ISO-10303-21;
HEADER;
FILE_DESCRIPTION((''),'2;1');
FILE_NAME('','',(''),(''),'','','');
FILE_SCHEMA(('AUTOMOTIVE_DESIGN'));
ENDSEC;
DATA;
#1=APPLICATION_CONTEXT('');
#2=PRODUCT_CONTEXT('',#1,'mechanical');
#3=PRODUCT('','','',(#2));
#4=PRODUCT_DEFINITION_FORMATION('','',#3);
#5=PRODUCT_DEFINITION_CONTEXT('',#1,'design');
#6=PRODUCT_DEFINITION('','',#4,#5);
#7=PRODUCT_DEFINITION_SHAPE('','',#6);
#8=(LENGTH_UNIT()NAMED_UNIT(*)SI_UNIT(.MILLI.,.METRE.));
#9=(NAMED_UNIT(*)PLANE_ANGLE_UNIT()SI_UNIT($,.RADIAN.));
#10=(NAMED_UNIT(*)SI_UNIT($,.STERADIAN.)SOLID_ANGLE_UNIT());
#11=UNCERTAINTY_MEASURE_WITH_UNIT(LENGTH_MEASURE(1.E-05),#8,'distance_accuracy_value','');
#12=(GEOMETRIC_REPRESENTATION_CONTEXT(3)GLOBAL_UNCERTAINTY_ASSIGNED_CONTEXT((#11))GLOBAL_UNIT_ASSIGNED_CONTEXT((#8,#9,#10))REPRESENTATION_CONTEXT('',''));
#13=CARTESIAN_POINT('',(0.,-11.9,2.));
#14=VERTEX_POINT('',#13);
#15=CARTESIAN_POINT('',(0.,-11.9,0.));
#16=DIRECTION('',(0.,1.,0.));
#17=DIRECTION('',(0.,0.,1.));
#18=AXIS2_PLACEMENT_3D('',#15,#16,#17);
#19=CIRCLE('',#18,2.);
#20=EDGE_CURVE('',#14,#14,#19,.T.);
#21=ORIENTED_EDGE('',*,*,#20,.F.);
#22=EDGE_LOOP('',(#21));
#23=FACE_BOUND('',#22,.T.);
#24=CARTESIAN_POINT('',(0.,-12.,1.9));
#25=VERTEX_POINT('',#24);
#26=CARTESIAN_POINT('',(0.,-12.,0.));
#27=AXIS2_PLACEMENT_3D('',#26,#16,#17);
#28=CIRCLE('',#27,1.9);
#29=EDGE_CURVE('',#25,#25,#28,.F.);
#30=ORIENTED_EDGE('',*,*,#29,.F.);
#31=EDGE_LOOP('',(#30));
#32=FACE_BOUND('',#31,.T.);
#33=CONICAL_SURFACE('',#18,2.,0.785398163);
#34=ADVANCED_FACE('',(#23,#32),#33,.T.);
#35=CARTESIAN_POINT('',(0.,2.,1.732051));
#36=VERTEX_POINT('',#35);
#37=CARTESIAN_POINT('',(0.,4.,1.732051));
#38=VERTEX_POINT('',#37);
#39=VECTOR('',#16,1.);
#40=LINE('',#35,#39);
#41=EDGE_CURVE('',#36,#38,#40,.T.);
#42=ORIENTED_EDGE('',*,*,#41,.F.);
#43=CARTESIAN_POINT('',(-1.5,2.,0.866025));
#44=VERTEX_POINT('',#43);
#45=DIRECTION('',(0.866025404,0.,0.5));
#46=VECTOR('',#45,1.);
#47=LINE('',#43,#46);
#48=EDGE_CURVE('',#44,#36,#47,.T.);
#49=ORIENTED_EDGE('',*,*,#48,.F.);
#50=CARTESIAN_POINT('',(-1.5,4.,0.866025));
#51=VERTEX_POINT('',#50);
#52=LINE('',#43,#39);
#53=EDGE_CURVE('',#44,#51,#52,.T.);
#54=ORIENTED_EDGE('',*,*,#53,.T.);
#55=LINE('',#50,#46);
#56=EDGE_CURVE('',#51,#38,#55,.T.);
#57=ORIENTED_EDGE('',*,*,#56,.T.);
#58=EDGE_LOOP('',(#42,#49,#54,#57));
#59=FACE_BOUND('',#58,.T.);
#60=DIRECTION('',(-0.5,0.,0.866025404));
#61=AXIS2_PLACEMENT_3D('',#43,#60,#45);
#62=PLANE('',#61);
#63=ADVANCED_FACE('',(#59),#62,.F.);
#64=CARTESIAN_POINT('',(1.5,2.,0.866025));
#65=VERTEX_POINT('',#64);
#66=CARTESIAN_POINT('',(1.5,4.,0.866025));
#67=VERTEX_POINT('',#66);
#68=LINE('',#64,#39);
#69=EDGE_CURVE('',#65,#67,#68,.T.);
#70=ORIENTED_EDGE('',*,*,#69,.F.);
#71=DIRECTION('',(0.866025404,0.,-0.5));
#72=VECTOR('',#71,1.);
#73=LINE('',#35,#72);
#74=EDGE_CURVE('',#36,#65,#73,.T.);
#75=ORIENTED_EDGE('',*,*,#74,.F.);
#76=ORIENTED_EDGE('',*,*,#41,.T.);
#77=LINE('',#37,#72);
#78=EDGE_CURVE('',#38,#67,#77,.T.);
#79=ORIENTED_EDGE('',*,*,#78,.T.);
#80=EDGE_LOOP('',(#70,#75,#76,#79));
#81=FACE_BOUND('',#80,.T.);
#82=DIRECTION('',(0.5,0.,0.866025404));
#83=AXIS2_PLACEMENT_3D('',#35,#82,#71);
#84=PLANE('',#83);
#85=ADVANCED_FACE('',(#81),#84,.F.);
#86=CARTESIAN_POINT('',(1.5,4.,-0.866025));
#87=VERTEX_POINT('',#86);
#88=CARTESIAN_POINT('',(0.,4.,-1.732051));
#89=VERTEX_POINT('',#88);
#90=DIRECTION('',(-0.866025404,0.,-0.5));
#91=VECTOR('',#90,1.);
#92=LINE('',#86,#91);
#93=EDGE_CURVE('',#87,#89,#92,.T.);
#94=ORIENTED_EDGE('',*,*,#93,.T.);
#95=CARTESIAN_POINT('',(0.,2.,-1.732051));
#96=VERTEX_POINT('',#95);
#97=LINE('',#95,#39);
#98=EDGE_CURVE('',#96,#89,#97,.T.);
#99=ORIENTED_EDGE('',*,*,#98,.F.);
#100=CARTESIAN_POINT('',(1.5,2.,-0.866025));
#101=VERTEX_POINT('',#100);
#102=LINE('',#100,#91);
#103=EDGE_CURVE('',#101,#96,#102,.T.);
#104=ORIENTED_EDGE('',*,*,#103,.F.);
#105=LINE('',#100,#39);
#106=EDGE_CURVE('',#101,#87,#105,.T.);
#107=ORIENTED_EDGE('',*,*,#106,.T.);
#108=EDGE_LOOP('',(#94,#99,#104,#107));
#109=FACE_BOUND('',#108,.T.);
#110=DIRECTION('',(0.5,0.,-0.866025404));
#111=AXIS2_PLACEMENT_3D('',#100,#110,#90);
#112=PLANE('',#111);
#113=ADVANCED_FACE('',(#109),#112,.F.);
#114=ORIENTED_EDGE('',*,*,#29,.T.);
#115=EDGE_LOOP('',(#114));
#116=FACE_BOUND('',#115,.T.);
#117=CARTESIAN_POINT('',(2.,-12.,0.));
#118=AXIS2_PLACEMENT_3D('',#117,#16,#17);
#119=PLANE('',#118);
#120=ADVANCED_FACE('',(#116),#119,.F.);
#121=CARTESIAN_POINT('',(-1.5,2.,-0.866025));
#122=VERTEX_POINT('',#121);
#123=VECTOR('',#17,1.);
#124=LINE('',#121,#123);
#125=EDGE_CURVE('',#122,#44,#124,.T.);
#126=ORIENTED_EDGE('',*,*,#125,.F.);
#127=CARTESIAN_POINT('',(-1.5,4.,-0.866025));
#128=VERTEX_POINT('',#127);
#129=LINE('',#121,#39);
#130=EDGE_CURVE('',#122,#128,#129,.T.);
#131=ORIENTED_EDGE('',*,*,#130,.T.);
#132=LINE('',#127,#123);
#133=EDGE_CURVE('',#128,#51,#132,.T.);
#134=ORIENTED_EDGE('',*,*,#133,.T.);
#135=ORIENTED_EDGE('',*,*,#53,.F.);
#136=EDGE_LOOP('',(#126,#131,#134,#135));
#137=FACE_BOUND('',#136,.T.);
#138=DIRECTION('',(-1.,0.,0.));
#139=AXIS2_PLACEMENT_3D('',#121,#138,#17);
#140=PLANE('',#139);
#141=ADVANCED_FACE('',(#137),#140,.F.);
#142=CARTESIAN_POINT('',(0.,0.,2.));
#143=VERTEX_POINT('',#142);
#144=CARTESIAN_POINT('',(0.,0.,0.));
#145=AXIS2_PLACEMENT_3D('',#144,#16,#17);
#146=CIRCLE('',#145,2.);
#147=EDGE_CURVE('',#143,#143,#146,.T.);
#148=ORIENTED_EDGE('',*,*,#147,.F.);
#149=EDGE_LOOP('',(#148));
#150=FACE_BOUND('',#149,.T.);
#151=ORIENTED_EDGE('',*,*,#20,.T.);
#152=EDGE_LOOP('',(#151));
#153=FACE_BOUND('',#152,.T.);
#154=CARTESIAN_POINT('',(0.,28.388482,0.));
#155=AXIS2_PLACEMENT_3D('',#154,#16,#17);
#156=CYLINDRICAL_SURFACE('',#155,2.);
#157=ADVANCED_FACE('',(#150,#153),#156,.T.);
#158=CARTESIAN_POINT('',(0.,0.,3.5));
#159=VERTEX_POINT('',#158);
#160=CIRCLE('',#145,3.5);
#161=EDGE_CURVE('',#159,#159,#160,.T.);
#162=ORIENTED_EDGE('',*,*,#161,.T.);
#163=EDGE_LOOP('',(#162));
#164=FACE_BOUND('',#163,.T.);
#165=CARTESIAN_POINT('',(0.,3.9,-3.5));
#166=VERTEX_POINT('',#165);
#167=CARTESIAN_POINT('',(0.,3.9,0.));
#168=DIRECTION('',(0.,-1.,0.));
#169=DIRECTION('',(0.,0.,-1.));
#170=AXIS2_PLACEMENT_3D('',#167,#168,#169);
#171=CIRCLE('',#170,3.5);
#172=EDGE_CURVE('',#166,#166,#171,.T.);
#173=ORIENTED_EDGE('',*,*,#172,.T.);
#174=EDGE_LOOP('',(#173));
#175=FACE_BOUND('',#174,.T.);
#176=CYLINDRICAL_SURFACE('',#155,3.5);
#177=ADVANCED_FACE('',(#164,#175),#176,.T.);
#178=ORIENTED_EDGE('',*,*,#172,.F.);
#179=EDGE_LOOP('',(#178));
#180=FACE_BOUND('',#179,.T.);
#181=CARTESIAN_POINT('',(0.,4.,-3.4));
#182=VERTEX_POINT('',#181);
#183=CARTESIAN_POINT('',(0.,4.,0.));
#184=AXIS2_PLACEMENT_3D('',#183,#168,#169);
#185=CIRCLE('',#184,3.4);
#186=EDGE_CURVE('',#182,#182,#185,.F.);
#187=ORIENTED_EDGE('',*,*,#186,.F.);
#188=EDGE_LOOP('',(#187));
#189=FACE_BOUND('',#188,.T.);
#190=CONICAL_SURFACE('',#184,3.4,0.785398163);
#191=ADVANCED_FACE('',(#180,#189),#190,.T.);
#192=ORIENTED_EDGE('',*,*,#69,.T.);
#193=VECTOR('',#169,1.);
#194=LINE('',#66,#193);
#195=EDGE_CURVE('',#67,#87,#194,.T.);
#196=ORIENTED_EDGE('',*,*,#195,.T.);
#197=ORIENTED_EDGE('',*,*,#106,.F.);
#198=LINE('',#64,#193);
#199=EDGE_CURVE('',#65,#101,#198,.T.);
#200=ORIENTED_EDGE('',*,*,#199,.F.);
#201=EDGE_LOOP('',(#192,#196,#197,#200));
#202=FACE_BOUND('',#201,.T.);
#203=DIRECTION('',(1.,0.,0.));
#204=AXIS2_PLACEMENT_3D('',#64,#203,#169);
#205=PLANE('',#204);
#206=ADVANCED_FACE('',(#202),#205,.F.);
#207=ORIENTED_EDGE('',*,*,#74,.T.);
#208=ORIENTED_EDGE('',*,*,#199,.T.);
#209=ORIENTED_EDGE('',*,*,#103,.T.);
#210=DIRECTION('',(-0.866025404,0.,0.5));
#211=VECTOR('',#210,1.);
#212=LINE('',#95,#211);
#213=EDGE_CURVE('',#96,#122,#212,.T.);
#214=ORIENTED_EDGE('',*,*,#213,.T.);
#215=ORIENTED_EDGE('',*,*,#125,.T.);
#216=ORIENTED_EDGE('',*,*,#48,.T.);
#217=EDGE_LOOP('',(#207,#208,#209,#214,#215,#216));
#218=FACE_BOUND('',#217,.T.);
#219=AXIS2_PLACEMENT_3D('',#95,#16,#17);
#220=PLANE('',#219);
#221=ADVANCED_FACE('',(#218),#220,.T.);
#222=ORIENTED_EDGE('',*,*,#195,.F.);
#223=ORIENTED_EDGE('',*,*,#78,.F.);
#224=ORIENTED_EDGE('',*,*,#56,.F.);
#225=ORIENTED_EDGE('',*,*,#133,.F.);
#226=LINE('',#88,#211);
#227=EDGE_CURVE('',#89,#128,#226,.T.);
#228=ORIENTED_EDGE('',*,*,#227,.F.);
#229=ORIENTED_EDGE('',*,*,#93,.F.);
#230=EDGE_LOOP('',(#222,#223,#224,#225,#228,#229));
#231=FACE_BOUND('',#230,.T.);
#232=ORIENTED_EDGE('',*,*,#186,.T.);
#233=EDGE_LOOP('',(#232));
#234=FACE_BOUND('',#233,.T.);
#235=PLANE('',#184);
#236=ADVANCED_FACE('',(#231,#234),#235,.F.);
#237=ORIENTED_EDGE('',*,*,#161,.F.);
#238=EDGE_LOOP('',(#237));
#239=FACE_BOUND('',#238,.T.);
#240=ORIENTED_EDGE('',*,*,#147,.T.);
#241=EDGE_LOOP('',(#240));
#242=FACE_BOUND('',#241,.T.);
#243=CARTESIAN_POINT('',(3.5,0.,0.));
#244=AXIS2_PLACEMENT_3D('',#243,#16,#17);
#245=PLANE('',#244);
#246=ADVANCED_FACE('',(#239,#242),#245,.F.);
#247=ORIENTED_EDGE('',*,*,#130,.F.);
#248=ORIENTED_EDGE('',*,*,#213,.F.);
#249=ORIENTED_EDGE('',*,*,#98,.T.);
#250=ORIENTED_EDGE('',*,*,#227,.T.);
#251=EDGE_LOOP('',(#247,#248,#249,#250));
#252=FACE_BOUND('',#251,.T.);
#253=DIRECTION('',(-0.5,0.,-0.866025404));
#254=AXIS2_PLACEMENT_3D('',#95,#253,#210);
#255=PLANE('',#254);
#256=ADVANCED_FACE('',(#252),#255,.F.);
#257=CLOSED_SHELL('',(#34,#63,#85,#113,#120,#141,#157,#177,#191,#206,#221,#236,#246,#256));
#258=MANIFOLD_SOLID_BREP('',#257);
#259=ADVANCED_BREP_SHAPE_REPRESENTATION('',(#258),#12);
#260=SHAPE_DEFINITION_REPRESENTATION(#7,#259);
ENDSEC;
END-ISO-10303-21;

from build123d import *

# Parameters (mm, degrees)
SMUSSO1_SIZE             = 0.1
TAGLIO_ESTRUSIONE1_DEPTH = 2


with BuildPart() as part:
    # Schizzo1 → Rivoluzione1 (revolve)
    with BuildSketch(Plane.XY, mode=Mode.PRIVATE) as rivoluzione1_sk:
        Polygon((0, 0), (0, 4), (3.5, 4), (3.5, 0), (2, 0), (2, -12), (0, -12), align=None)
    revolve(rivoluzione1_sk.sketch.rotate(Axis((0, 28.388481997, 0), (0, -1, 0)), 90), axis=Axis((0, 28.388481997, 0), (0, -1, 0)))

    # Smusso1
    smusso1_edges = [part.edges().sort_by_distance(p)[0] for p in [
        (0, -12, -2),
        (0, 4, -3.5),
    ]]
    chamfer(smusso1_edges, length=SMUSSO1_SIZE)

    # Schizzo2 → Taglio-Estrusione1 (cut)
    with BuildSketch(Plane(origin=(0, 4, 0), x_dir=(1, 0, 0), z_dir=(0, 1, 0))):
        Polygon((0, 1.732050808), (-1.5, 0.866025404), (-1.5, -0.866025404), (0, -1.732050808), (1.5, -0.866025404), (1.5, 0.866025404), align=None)
    extrude(amount=-TAGLIO_ESTRUSIONE1_DEPTH, mode=Mode.SUBTRACT)


solid = part.part
